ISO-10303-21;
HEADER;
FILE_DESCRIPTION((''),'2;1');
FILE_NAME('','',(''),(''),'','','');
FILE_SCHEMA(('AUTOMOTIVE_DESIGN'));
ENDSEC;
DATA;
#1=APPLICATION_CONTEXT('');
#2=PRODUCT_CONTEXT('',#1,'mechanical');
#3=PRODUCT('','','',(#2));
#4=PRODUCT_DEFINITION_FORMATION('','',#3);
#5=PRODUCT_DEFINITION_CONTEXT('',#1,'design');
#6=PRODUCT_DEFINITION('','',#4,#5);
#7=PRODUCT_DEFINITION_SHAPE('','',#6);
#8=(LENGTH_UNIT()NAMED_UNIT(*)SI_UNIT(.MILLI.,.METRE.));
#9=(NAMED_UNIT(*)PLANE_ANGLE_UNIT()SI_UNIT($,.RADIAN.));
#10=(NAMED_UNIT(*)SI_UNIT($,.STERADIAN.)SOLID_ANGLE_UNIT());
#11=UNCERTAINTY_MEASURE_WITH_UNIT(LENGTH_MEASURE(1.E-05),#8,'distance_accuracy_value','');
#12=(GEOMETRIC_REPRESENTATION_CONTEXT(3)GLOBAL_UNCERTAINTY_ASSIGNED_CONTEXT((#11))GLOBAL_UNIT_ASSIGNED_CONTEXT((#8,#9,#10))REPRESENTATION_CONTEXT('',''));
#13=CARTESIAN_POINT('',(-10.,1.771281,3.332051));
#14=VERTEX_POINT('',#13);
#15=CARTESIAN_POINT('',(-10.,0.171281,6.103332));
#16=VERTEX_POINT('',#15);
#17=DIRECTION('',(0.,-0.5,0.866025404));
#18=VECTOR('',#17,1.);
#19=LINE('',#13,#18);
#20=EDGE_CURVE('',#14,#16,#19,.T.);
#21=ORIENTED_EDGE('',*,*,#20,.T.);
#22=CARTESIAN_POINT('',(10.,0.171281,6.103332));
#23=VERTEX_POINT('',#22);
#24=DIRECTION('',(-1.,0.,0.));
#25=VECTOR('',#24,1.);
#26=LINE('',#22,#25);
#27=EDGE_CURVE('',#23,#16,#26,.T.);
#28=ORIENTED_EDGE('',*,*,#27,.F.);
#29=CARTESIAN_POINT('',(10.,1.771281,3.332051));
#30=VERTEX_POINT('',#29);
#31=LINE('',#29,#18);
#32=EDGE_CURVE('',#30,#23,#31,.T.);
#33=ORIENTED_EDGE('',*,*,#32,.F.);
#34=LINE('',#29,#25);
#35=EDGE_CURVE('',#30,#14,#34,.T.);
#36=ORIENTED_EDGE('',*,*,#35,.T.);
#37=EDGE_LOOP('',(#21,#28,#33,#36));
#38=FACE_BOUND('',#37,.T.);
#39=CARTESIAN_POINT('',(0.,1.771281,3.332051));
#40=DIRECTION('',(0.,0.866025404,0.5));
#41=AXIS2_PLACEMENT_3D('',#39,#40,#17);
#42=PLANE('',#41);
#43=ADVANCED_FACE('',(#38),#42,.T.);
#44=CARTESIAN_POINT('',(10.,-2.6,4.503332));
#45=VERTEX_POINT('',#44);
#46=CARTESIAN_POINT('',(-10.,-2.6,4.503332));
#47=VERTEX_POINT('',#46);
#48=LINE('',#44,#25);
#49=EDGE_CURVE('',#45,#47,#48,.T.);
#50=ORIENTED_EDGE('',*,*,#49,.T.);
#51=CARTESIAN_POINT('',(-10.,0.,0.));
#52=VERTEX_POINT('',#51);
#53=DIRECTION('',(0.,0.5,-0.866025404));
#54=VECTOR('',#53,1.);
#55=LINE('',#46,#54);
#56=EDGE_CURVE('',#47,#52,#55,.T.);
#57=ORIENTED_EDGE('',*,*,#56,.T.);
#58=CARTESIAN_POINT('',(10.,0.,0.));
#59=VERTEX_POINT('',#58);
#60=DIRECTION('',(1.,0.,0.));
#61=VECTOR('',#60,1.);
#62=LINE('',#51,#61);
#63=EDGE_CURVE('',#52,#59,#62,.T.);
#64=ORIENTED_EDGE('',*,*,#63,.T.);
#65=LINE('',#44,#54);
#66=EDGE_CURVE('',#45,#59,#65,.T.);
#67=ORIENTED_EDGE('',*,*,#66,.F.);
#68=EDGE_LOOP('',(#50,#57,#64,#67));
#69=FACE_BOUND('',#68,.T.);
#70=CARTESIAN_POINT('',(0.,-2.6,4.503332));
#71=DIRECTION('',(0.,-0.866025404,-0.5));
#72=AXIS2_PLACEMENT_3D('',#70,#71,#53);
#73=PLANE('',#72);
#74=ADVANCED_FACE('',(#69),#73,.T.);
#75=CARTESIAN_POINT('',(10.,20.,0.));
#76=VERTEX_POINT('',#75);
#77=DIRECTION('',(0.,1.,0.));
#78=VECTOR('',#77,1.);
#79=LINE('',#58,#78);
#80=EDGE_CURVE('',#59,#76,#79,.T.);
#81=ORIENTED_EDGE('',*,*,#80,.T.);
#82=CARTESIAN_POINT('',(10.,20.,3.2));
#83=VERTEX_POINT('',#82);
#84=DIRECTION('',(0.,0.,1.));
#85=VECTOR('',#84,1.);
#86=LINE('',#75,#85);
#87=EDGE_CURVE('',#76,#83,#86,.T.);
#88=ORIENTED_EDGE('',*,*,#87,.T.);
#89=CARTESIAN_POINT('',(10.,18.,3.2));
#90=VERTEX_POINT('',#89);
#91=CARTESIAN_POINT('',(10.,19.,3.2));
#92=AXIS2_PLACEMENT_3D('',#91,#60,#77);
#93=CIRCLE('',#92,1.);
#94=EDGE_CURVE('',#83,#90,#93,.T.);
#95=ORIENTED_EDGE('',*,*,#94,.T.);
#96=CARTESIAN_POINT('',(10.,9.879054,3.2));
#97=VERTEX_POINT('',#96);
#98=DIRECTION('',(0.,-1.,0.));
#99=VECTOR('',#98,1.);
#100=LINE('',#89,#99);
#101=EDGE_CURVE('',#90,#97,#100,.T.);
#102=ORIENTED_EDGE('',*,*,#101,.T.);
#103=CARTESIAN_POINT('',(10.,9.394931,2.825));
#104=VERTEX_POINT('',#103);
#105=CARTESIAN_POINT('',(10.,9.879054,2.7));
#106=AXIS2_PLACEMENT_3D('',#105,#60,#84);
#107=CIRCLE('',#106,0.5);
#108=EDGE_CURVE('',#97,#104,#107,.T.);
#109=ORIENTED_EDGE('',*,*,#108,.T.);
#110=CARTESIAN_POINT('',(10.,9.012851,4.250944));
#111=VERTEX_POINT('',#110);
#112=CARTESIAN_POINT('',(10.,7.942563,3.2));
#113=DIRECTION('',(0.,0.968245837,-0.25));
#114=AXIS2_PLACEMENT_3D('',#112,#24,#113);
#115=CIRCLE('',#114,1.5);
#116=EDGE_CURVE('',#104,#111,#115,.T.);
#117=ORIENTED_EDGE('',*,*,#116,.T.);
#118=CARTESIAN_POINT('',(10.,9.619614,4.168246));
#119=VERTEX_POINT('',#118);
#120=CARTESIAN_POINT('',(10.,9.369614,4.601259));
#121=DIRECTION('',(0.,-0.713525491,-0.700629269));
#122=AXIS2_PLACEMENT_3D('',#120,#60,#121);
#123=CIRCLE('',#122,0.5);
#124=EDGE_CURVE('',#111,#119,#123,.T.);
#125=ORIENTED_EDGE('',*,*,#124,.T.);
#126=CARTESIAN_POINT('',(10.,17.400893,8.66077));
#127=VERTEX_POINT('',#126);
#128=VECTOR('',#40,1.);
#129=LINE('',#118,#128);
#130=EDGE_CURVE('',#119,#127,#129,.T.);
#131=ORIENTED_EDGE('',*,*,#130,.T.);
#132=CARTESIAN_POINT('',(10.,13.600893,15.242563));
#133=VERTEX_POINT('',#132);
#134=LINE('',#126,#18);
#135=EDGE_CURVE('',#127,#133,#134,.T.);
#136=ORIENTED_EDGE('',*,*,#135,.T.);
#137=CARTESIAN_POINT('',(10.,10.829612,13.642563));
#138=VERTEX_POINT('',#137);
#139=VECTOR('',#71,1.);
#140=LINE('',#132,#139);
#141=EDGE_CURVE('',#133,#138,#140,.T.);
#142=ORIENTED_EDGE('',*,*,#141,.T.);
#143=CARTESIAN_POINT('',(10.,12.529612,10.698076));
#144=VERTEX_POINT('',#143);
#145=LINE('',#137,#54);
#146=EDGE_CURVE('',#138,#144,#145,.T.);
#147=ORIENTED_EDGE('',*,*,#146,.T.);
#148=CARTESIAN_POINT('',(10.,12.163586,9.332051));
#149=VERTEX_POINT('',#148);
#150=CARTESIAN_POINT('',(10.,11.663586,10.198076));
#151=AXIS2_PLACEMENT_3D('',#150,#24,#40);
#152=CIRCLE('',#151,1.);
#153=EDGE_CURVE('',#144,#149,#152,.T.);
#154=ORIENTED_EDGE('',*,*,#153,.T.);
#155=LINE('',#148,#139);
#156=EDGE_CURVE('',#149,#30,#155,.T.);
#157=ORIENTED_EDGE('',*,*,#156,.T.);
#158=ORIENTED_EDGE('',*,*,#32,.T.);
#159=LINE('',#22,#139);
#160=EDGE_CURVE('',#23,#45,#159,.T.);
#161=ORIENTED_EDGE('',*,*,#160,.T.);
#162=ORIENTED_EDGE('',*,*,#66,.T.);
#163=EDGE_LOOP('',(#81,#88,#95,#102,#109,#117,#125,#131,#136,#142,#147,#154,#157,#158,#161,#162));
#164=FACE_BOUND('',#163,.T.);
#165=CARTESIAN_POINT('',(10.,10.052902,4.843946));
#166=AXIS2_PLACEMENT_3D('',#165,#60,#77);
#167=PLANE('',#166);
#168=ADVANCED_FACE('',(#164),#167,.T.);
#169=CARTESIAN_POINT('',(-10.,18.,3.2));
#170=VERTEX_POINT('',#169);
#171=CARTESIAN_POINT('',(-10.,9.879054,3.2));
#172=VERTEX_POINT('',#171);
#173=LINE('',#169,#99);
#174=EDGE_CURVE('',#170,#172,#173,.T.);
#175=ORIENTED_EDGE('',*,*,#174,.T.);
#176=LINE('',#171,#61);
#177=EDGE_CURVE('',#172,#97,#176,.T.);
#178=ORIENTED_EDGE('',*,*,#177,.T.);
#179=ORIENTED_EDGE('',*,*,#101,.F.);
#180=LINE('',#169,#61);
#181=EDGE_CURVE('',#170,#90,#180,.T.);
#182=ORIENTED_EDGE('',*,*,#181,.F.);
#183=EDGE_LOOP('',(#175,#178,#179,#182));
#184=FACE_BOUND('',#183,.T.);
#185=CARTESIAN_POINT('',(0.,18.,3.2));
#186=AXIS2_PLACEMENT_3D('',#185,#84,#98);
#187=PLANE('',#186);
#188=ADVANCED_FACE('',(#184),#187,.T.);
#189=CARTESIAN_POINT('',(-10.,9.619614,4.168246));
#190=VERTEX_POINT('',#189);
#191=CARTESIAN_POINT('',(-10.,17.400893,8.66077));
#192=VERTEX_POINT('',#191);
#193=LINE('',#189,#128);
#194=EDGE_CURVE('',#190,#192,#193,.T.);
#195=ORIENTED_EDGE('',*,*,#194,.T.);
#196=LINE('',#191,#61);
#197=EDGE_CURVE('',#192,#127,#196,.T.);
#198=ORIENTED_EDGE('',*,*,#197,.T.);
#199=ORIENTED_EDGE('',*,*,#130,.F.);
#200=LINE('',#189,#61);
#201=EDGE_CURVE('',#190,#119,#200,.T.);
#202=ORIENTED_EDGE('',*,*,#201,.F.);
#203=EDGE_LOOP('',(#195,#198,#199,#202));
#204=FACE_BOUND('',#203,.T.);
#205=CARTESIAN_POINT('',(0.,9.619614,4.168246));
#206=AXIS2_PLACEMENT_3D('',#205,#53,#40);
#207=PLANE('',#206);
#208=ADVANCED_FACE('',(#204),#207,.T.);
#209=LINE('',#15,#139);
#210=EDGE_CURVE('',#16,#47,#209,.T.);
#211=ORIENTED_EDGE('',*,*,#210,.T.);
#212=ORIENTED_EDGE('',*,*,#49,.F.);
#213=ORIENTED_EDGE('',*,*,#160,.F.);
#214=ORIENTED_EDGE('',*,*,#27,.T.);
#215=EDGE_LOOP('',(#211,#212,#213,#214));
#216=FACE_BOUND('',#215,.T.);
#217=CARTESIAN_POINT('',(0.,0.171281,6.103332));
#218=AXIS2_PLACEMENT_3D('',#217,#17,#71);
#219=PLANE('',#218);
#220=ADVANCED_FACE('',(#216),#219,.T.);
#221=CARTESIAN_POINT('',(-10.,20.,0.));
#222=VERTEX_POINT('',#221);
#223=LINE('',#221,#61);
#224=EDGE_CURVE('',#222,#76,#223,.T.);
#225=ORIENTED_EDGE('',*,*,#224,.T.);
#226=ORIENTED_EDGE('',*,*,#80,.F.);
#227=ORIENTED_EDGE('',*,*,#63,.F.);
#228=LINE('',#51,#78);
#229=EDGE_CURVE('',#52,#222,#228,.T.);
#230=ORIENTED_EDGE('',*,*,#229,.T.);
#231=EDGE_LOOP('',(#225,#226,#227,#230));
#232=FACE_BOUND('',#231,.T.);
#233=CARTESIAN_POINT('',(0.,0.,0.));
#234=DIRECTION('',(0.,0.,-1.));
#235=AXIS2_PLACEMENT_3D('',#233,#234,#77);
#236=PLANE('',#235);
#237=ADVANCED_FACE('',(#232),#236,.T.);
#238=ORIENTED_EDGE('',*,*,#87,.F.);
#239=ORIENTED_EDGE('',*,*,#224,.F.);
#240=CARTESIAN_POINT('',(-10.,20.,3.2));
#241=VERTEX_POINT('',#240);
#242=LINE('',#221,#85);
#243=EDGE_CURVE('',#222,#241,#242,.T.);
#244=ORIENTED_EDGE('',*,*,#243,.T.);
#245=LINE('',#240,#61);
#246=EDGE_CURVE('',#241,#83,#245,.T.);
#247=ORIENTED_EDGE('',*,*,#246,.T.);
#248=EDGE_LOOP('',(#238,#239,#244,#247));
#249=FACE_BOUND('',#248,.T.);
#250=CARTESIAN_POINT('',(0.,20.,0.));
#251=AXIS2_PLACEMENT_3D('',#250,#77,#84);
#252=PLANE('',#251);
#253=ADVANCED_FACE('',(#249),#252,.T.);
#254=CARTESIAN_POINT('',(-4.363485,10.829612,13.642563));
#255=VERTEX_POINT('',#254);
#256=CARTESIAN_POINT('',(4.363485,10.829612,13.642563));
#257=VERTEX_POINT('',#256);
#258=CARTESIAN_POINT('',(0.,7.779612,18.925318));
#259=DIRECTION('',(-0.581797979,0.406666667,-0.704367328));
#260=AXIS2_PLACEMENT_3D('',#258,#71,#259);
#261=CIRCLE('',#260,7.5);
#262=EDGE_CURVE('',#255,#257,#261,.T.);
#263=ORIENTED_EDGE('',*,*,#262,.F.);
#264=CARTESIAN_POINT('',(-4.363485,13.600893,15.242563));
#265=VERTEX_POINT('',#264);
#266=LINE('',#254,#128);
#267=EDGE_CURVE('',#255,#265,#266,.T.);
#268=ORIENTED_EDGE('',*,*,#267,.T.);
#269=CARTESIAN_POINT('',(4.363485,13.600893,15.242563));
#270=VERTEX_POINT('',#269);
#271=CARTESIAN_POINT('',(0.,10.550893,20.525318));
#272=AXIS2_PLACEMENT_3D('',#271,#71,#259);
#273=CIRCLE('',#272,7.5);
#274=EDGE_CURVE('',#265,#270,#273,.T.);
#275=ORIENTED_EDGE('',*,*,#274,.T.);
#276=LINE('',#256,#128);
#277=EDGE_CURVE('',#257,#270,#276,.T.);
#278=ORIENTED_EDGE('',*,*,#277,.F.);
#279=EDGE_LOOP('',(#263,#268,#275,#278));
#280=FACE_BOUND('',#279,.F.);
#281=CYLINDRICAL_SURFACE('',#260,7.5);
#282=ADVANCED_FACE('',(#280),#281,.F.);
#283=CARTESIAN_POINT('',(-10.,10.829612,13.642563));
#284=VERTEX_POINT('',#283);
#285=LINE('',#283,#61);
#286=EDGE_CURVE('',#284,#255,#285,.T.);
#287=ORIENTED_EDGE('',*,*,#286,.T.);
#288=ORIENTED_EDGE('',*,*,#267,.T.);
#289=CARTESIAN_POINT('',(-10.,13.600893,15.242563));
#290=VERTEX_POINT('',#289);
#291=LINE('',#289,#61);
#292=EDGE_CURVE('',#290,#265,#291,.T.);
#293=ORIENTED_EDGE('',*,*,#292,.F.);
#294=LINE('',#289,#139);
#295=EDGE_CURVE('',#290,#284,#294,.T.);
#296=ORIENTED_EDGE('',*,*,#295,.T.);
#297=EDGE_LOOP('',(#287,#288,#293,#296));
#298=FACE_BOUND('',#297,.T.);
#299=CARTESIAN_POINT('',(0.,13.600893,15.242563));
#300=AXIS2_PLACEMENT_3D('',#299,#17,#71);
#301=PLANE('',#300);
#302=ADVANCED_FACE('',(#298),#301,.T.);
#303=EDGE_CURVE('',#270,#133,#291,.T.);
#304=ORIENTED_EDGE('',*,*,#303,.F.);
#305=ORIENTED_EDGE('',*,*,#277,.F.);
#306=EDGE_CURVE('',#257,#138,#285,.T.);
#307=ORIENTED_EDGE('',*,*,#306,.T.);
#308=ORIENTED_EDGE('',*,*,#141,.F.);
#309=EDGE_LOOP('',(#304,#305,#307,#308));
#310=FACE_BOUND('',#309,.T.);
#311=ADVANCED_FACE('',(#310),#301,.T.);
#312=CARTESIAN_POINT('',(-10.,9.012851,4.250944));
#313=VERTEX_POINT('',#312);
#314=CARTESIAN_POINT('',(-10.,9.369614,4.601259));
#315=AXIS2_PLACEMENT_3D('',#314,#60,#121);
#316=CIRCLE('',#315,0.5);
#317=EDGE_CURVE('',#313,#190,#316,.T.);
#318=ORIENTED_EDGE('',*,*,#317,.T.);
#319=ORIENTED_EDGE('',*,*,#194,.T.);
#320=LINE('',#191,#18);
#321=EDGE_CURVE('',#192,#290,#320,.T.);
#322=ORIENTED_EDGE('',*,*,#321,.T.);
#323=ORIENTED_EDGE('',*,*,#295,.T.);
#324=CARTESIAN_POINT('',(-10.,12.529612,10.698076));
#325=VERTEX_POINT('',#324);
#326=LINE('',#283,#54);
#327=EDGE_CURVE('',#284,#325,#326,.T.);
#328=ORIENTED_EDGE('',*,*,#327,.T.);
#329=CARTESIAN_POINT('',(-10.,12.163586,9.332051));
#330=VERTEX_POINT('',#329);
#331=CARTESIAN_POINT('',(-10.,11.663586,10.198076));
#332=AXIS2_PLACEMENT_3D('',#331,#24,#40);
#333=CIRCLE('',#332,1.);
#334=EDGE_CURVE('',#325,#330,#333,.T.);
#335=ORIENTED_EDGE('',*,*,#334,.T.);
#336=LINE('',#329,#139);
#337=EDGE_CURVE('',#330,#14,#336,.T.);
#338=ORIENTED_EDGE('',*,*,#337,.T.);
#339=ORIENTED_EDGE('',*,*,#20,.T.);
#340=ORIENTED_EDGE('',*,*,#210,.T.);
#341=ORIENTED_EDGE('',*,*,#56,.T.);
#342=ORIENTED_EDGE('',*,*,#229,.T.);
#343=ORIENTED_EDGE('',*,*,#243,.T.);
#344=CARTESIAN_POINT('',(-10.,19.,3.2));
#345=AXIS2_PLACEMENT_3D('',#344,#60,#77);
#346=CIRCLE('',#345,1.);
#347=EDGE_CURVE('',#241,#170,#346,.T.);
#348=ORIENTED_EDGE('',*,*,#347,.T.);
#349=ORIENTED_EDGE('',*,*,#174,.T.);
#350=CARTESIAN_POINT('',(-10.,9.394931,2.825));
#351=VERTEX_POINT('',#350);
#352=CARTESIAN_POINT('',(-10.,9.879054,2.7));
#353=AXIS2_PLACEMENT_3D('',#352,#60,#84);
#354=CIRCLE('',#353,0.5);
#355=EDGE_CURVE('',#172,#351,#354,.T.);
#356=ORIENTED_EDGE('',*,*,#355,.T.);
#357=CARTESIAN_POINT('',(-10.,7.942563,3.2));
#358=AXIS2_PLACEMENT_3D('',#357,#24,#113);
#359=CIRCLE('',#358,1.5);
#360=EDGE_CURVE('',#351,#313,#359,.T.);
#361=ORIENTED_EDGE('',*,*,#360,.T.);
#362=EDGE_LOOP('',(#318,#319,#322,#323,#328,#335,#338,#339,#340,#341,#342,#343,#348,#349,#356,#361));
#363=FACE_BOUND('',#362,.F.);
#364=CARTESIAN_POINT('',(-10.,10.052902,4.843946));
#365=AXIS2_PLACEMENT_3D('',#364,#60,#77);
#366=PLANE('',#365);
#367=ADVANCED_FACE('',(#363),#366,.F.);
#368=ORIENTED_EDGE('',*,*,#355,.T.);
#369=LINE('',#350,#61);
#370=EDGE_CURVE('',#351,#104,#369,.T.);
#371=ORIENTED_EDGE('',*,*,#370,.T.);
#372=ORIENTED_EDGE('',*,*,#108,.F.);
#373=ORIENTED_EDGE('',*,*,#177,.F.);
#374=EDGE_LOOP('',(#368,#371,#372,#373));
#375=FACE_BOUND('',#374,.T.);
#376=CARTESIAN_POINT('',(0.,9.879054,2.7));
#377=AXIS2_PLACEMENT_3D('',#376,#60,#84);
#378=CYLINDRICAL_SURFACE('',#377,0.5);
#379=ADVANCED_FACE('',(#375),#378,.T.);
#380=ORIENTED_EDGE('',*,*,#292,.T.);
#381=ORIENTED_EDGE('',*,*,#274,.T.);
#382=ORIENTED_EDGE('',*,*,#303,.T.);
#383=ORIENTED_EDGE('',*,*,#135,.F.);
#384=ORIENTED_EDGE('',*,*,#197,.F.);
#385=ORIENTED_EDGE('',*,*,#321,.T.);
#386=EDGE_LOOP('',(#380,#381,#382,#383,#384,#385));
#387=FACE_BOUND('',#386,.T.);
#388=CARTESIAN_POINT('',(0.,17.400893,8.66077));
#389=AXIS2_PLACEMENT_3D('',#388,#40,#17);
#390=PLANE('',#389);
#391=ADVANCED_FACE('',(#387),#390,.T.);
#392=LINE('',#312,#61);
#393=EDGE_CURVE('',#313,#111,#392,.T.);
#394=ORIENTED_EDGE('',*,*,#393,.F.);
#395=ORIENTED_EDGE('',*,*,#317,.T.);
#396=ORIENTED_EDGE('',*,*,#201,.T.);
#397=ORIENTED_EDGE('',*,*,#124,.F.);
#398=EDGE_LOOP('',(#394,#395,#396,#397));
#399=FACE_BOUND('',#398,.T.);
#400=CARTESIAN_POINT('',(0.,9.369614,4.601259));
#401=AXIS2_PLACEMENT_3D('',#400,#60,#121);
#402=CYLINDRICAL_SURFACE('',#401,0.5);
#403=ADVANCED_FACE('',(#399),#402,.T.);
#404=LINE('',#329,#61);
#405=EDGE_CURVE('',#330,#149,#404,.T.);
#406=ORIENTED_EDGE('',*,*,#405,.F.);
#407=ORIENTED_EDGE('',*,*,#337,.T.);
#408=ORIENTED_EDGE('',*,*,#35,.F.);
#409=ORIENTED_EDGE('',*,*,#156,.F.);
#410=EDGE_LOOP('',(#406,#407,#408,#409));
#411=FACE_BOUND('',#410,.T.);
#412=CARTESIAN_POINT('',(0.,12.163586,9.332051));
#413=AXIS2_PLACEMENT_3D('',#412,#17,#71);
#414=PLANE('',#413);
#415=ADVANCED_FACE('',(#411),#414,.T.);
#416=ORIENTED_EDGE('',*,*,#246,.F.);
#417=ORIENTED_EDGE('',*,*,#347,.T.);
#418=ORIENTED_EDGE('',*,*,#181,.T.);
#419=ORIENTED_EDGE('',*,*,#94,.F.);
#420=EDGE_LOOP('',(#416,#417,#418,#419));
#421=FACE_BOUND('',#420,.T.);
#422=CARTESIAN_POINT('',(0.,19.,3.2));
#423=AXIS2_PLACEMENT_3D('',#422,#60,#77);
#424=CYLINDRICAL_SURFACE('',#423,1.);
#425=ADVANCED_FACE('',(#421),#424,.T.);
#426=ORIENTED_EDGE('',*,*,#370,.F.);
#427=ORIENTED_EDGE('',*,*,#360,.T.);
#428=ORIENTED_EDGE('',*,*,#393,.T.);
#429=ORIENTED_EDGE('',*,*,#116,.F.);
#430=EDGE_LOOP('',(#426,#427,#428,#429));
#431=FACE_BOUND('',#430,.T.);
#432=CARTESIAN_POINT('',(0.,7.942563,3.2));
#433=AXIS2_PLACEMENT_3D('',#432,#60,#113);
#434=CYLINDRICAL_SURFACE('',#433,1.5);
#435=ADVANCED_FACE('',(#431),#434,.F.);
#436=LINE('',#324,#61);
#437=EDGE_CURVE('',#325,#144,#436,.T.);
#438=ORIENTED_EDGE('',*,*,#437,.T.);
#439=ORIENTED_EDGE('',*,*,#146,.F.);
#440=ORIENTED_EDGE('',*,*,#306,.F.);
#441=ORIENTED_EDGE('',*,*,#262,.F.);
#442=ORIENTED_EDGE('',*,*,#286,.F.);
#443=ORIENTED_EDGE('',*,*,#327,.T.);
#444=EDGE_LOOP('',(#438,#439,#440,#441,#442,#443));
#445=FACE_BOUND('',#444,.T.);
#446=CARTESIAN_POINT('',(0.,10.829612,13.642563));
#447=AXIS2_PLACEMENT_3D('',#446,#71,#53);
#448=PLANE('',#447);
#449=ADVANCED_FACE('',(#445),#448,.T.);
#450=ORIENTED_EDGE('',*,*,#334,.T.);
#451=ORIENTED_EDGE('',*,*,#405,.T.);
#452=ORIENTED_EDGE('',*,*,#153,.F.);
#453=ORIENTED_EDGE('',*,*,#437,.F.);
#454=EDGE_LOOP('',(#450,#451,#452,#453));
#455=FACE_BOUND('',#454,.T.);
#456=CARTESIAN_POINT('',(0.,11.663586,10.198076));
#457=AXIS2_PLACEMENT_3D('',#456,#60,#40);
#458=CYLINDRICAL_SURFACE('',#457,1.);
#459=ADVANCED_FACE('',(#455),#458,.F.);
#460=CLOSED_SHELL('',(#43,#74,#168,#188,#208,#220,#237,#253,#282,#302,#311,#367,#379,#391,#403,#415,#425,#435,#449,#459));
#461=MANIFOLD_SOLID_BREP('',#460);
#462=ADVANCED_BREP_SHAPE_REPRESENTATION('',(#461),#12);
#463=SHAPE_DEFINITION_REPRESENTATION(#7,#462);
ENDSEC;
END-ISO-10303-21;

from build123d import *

# Parameters (mm, degrees)
F1_DEPTH = 10
F3_DEPTH = 3.2


with BuildPart() as f1:
    # F0 (on Right) → F1 (new body, symmetric)
    with BuildSketch(Plane.YZ):
        with BuildLine():
            Line((-2.6, 4.5033320997), (0, 0))
            Line((0, 0), (20, 0))
            Line((20, 0), (20, 3.2))
            ThreePointArc((20, 3.2), (19, 4.2), (18, 3.2))
            Line((18, 3.2), (9.8790542573, 3.2))
            ThreePointArc((9.8790542573, 3.2), (9.5728680395, 3.0952847075), (9.394931339, 2.825))
            ThreePointArc((9.394931339, 2.825), (6.4936738448, 2.8117714323), (9.0128508216, 4.2509439038))
            ThreePointArc((9.0128508216, 4.2509439038), (9.3020908782, 4.1058388311), (9.6196135673, 4.1682458366))
            Line((9.6196135673, 4.1682458366), (17.4008928334, 8.6607695155))
            Line((17.4008928334, 8.6607695155), (13.6008928334, 15.2425625842))
            Line((13.6008928334, 15.2425625842), (10.8296115413, 13.6425625842))
            Line((10.8296115413, 13.6425625842), (12.5296115413, 10.6980762114))
            ThreePointArc((12.5296115413, 10.6980762114), (12.6295119638, 9.9392571663), (12.1635861375, 9.3320508076))
            Line((12.1635861375, 9.3320508076), (1.7712812921, 3.3320508076))
            Line((1.7712812921, 3.3320508076), (0.1712812921, 6.1033320997))
            Line((0.1712812921, 6.1033320997), (-2.6, 4.5033320997))
        make_face()
    extrude(amount=F1_DEPTH, both=True)

    # F2 (on face) → F3 (cut, through all)
    with BuildSketch(Plane(origin=(0, 14.0296115413, 8.1), x_dir=(1, 0, 0), z_dir=(0, -0.8660254038, -0.5))):
        with BuildLine():
            Line((4.3634848459, 6.4), (-4.3634848459, 6.4))
            ThreePointArc((-4.3634848459, 6.4), (0, 5), (4.3634848459, 6.4))
        make_face()
    extrude(amount=-F3_DEPTH, mode=Mode.SUBTRACT)


solid = f1.part
